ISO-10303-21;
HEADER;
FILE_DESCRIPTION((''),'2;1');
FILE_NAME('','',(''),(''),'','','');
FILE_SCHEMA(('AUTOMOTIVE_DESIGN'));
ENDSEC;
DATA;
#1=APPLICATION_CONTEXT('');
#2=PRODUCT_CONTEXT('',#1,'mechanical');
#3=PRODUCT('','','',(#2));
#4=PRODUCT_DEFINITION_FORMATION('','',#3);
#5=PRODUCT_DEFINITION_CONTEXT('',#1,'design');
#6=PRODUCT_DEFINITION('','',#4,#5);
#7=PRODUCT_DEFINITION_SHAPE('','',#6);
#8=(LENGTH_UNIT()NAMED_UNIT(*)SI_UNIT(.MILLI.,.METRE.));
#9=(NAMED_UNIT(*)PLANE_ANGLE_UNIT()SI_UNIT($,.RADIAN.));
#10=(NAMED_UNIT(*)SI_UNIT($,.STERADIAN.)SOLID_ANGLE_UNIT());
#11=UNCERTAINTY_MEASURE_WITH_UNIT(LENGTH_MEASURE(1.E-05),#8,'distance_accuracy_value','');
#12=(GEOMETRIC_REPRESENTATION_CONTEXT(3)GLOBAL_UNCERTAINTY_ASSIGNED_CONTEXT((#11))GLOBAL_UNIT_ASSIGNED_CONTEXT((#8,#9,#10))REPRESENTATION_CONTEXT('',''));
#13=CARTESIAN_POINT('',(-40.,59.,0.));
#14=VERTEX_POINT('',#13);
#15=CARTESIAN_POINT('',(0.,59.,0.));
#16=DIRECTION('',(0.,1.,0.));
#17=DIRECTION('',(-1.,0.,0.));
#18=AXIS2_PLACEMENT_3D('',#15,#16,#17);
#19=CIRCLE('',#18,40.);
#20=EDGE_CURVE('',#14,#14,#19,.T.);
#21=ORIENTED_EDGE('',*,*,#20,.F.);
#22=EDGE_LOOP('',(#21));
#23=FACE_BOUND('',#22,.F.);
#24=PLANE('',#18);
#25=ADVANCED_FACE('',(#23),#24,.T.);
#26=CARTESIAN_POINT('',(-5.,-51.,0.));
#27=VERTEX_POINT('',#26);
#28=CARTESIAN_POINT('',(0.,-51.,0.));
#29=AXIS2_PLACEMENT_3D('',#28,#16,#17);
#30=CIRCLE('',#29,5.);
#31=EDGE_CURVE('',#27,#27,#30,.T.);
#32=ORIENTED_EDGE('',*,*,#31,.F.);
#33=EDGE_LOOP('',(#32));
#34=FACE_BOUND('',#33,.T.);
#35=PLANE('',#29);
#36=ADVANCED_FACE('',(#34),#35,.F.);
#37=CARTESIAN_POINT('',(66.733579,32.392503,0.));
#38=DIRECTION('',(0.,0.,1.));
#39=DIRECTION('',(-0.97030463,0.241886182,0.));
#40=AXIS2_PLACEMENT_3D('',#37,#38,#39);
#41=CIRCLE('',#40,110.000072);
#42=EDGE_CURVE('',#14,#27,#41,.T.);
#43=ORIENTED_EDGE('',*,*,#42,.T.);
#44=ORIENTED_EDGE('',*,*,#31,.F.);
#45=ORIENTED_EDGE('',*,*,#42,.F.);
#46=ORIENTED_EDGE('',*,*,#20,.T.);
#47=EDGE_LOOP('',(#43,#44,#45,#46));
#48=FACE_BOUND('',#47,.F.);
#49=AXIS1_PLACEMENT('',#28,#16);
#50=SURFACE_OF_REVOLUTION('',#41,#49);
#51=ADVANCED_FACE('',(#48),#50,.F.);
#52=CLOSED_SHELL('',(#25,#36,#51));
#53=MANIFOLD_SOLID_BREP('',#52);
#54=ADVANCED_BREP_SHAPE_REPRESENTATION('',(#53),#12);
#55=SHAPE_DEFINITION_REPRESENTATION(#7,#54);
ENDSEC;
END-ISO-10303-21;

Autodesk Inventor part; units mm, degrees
ref_plane "YZ Plane" through (0, 0, 0) normal (1, 0, 0) x (0, 1, 0)
ref_plane "XZ Plane" through (0, 0, 0) normal (0, 1, 0) x (-1, 0, 0)
ref_plane "XY Plane" through (0, 0, 0) normal (0, 0, 1) x (1, 0, 0)
sketch "Sketch1" plane through (0, 0, 0) normal (0, 0, 1) x (1, 0, 0)
  line L0 (0, -51) -> (0, 59)
  line L1 (0, 59) -> (-40, 59)
  line L2 (0, -51) -> (-5, -51)
  arc A0 (-40, 59) -> (-5, -51) centre (66.7335, 32.3925) ccw
  point P0 (0, 0)
  dimension "d0" = 40
  dimension "d1" = 5
  dimension "d2" = 110
  dimension "d4" = 110
revolve "Revolution1" add sketch "Sketch1" angle 360 about axis through (0, -51, 0) along (0, 1, 0)
properties part number "McCrea_eva_walle"
